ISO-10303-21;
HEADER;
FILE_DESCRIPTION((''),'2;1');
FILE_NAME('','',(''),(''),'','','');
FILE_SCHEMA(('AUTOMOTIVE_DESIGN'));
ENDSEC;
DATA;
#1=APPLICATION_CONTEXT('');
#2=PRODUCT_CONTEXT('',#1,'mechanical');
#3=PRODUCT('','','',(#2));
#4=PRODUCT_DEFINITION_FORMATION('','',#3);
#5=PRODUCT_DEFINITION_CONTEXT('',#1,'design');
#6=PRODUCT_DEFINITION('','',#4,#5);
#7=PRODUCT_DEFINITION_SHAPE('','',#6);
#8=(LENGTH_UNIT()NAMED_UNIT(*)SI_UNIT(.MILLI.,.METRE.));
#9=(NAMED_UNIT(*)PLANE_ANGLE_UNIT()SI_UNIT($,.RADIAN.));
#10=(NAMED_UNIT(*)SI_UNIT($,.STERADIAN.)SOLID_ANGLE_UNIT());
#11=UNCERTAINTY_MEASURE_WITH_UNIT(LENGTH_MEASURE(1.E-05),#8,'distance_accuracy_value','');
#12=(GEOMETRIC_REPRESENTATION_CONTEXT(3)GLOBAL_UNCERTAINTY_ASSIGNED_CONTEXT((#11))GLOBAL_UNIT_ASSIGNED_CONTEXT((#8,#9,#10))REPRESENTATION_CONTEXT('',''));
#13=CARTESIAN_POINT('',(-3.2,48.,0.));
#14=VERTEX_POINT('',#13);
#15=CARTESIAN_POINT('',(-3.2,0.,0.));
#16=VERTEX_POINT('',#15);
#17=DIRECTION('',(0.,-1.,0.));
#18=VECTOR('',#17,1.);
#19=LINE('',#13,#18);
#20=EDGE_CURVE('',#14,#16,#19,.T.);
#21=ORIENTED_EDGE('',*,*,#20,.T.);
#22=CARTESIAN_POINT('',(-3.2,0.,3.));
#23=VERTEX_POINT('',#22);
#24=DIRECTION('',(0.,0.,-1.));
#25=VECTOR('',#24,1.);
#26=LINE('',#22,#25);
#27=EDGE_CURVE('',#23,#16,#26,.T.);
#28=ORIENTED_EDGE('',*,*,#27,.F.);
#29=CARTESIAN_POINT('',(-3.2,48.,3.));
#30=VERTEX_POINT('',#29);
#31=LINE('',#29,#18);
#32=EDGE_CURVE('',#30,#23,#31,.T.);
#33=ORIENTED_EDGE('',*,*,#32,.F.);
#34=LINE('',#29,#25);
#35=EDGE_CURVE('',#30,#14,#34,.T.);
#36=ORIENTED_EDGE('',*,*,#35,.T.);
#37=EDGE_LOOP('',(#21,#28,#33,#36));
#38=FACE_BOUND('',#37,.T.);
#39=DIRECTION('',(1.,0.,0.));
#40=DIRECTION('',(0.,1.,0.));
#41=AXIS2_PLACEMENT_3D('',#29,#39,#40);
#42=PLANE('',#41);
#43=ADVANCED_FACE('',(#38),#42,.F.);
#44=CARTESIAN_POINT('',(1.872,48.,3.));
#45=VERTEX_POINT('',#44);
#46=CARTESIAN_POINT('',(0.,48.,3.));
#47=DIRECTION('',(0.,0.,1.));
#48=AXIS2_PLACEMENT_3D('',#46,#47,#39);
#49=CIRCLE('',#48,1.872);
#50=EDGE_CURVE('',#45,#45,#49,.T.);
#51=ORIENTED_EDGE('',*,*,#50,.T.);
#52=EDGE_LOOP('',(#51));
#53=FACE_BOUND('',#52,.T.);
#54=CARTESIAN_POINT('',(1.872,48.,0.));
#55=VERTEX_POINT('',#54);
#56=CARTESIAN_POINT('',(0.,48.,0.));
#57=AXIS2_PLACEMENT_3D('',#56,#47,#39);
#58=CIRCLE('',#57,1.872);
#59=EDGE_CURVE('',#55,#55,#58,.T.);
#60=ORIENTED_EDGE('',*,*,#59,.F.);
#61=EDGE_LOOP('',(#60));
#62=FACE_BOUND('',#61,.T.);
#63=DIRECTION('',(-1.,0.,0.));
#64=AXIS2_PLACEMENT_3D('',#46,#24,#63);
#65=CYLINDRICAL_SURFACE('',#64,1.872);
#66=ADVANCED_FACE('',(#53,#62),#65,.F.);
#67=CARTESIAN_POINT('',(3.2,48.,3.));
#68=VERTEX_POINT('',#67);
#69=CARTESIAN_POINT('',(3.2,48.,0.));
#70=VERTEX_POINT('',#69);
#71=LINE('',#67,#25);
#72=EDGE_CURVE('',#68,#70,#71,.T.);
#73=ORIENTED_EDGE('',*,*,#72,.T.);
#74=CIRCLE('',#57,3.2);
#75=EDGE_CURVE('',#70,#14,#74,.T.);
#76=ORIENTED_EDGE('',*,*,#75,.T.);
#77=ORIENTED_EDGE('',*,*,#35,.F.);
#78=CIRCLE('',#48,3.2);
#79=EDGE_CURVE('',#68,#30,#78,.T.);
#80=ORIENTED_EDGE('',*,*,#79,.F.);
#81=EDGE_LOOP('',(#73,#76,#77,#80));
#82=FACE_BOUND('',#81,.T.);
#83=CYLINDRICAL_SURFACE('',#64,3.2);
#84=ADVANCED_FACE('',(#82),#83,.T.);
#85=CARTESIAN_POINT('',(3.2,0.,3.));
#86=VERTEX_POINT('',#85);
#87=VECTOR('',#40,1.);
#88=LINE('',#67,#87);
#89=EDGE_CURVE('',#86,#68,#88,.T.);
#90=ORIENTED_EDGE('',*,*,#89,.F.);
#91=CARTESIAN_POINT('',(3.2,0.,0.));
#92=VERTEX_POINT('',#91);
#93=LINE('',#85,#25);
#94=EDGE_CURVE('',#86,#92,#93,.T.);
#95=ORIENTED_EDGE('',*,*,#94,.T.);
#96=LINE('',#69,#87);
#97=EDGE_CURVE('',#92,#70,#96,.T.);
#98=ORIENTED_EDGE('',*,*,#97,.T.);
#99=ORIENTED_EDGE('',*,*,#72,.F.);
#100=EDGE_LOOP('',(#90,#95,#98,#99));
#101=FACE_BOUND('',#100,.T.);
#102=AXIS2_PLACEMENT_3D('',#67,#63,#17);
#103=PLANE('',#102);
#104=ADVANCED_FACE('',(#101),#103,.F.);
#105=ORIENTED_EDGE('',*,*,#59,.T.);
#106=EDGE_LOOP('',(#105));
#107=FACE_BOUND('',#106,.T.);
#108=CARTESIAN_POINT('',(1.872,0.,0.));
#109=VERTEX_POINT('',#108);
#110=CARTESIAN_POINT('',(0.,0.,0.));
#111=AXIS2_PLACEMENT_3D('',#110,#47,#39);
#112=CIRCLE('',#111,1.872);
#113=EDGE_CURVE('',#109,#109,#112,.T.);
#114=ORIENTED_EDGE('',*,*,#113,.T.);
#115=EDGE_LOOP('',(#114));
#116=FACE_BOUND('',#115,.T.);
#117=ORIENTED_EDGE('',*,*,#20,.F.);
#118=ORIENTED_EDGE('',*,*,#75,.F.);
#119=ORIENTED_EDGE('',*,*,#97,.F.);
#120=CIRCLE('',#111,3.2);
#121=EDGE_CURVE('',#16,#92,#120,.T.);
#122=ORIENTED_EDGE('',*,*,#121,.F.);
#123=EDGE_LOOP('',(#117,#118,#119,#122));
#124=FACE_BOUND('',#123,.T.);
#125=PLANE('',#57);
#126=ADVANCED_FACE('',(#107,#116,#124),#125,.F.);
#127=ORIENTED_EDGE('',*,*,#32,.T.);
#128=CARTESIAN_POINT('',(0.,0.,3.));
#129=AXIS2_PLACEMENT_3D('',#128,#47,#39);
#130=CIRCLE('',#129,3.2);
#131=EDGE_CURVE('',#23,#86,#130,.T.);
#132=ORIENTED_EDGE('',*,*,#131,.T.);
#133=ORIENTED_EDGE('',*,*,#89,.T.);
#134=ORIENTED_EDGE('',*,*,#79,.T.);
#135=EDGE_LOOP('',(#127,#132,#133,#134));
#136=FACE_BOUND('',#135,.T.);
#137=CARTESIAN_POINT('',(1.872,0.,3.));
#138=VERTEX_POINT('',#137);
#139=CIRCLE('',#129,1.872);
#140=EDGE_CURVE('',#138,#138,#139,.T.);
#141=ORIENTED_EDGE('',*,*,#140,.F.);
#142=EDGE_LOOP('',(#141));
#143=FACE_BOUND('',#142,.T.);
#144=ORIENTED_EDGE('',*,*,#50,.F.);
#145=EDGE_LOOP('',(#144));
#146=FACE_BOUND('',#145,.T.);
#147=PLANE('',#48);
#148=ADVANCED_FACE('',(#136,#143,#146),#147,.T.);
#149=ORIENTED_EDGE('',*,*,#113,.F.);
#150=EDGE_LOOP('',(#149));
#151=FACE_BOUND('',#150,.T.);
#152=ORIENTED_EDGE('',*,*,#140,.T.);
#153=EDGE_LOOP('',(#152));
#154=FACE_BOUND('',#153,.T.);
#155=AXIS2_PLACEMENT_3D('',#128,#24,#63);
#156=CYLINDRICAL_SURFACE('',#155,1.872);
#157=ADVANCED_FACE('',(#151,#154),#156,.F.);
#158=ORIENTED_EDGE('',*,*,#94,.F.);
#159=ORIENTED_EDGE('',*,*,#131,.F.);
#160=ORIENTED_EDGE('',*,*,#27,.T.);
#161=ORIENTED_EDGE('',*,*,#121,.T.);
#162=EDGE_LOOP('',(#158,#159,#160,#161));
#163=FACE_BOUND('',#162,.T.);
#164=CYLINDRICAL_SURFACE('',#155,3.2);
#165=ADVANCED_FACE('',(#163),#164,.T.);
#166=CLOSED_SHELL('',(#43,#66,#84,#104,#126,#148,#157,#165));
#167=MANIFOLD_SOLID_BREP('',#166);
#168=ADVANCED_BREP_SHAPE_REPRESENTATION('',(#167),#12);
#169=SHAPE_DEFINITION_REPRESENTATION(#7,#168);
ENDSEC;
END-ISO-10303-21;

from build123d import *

# Parameters (mm, degrees)
SKETCH1_R           = 1.872
BOSS_EXTRUDE1_DEPTH = 3


with BuildPart() as part:
    # Sketch1 → Boss-Extrude1 (new body)
    with BuildSketch(Plane.XY):
        with BuildLine():
            Line((-3.2, 48), (-3.2, 0))
            ThreePointArc((-3.2, 0), (0, -3.2), (3.2, 0))
            Line((3.2, 0), (3.2, 48))
            ThreePointArc((3.2, 48), (0, 51.2), (-3.2, 48))
        make_face()
        Circle(SKETCH1_R, mode=Mode.SUBTRACT)
        with Locations((0, 48)):
            Circle(SKETCH1_R, mode=Mode.SUBTRACT)
    extrude(amount=BOSS_EXTRUDE1_DEPTH)


solid = part.part
